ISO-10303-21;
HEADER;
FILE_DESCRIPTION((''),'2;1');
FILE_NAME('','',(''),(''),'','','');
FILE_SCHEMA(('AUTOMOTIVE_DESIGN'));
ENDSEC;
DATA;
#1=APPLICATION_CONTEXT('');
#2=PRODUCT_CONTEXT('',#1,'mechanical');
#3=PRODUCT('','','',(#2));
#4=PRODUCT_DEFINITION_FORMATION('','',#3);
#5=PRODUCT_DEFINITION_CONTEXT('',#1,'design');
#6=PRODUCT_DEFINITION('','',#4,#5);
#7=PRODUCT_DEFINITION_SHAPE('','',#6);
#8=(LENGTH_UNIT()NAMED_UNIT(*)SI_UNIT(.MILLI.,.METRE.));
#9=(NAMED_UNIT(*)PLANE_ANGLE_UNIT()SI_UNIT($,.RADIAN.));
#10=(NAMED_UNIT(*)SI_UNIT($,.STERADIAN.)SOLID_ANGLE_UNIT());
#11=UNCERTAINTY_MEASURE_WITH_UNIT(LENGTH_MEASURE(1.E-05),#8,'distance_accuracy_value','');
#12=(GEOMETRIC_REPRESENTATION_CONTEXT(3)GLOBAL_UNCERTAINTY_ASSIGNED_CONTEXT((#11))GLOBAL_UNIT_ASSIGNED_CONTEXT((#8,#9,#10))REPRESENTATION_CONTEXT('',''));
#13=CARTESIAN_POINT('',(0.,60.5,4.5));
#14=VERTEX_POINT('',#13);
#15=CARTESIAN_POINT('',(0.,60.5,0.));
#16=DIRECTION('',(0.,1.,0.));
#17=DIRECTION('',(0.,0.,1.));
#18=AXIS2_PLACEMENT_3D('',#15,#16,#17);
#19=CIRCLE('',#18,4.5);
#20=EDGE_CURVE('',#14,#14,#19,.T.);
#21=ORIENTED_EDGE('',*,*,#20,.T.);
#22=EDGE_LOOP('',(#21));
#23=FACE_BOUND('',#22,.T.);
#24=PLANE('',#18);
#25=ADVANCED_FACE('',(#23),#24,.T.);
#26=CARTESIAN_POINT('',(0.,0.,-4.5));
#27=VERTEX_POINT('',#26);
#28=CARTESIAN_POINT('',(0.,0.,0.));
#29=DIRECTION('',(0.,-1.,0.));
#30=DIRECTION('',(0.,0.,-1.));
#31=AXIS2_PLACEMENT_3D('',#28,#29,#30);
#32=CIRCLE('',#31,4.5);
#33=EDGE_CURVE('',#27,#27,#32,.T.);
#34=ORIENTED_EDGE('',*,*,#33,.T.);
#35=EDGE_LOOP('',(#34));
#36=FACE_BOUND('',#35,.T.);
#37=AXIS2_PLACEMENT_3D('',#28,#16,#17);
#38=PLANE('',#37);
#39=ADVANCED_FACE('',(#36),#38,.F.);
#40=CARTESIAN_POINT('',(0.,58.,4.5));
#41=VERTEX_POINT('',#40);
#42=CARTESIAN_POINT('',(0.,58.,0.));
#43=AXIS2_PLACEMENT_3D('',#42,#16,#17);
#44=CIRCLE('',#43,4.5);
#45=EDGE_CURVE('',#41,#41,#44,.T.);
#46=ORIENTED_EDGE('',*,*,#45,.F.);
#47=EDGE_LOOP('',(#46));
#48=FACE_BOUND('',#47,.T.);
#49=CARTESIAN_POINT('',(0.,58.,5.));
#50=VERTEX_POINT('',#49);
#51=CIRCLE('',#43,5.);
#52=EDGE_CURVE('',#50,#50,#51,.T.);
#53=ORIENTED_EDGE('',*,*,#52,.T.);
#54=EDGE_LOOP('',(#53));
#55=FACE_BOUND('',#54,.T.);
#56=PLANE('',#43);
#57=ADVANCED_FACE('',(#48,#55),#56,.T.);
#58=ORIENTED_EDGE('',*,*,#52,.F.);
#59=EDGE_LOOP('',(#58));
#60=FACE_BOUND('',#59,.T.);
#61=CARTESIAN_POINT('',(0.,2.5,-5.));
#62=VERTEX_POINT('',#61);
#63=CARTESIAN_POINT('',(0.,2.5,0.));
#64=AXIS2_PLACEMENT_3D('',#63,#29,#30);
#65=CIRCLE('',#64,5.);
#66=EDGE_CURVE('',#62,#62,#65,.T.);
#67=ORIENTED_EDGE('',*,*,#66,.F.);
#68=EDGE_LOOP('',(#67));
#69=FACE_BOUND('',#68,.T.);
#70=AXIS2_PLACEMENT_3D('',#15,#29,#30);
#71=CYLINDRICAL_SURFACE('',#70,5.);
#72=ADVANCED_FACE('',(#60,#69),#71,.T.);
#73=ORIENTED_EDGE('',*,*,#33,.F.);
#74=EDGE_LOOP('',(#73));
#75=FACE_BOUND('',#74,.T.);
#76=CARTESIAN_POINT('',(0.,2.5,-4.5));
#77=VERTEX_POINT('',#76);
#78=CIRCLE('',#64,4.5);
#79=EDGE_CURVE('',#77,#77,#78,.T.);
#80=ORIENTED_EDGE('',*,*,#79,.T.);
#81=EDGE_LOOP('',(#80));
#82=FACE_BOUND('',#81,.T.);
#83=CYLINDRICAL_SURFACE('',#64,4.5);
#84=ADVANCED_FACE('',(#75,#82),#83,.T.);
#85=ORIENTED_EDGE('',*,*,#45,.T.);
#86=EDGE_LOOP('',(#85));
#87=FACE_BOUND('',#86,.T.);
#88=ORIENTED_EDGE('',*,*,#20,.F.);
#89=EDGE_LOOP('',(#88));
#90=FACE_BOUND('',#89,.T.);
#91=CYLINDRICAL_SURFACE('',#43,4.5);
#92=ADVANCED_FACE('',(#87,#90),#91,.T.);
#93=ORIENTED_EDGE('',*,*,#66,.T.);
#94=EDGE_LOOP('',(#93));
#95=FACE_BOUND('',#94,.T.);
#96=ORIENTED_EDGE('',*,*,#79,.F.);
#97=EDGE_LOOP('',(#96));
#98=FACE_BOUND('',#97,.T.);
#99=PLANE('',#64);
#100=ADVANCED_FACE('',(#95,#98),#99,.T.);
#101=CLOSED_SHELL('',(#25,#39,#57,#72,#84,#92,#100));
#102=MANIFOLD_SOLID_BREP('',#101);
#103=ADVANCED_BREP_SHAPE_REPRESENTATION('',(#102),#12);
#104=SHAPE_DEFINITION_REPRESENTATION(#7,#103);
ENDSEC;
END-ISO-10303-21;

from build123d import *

# Parameters (mm, degrees)
SKETCH1_R           = 5
BOSS_EXTRUDE1_DEPTH = 60.5
SKETCH24_R          = 5
SKETCH24_R_2        = 4.5
CUT_EXTRUDE3_DEPTH  = 2.5
SKETCH25_R          = 5
SKETCH25_R_2        = 4.5
CUT_EXTRUDE4_DEPTH  = 2.5


with BuildPart() as part:
    # Sketch1 → Boss-Extrude1 (new body)
    with BuildSketch(Plane(origin=(0, 0, 0), x_dir=(1, 0, 0), z_dir=(0, 1, 0))):
        Circle(SKETCH1_R)
    extrude(amount=BOSS_EXTRUDE1_DEPTH)

    # Sketch24 → Cut-Extrude3 (cut)
    with BuildSketch(Plane(origin=(0, 0, 0), x_dir=(-1, 0, 0), z_dir=(0, -1, 0))):
        Circle(SKETCH24_R)
        Circle(SKETCH24_R_2, mode=Mode.SUBTRACT)
    extrude(amount=-CUT_EXTRUDE3_DEPTH, mode=Mode.SUBTRACT)

    # Sketch25 → Cut-Extrude4 (cut)
    with BuildSketch(Plane(origin=(0, 60.5, 0), x_dir=(1, 0, 0), z_dir=(0, 1, 0))):
        Circle(SKETCH25_R)
        Circle(SKETCH25_R_2, mode=Mode.SUBTRACT)
    extrude(amount=-CUT_EXTRUDE4_DEPTH, mode=Mode.SUBTRACT)


solid = part.part
